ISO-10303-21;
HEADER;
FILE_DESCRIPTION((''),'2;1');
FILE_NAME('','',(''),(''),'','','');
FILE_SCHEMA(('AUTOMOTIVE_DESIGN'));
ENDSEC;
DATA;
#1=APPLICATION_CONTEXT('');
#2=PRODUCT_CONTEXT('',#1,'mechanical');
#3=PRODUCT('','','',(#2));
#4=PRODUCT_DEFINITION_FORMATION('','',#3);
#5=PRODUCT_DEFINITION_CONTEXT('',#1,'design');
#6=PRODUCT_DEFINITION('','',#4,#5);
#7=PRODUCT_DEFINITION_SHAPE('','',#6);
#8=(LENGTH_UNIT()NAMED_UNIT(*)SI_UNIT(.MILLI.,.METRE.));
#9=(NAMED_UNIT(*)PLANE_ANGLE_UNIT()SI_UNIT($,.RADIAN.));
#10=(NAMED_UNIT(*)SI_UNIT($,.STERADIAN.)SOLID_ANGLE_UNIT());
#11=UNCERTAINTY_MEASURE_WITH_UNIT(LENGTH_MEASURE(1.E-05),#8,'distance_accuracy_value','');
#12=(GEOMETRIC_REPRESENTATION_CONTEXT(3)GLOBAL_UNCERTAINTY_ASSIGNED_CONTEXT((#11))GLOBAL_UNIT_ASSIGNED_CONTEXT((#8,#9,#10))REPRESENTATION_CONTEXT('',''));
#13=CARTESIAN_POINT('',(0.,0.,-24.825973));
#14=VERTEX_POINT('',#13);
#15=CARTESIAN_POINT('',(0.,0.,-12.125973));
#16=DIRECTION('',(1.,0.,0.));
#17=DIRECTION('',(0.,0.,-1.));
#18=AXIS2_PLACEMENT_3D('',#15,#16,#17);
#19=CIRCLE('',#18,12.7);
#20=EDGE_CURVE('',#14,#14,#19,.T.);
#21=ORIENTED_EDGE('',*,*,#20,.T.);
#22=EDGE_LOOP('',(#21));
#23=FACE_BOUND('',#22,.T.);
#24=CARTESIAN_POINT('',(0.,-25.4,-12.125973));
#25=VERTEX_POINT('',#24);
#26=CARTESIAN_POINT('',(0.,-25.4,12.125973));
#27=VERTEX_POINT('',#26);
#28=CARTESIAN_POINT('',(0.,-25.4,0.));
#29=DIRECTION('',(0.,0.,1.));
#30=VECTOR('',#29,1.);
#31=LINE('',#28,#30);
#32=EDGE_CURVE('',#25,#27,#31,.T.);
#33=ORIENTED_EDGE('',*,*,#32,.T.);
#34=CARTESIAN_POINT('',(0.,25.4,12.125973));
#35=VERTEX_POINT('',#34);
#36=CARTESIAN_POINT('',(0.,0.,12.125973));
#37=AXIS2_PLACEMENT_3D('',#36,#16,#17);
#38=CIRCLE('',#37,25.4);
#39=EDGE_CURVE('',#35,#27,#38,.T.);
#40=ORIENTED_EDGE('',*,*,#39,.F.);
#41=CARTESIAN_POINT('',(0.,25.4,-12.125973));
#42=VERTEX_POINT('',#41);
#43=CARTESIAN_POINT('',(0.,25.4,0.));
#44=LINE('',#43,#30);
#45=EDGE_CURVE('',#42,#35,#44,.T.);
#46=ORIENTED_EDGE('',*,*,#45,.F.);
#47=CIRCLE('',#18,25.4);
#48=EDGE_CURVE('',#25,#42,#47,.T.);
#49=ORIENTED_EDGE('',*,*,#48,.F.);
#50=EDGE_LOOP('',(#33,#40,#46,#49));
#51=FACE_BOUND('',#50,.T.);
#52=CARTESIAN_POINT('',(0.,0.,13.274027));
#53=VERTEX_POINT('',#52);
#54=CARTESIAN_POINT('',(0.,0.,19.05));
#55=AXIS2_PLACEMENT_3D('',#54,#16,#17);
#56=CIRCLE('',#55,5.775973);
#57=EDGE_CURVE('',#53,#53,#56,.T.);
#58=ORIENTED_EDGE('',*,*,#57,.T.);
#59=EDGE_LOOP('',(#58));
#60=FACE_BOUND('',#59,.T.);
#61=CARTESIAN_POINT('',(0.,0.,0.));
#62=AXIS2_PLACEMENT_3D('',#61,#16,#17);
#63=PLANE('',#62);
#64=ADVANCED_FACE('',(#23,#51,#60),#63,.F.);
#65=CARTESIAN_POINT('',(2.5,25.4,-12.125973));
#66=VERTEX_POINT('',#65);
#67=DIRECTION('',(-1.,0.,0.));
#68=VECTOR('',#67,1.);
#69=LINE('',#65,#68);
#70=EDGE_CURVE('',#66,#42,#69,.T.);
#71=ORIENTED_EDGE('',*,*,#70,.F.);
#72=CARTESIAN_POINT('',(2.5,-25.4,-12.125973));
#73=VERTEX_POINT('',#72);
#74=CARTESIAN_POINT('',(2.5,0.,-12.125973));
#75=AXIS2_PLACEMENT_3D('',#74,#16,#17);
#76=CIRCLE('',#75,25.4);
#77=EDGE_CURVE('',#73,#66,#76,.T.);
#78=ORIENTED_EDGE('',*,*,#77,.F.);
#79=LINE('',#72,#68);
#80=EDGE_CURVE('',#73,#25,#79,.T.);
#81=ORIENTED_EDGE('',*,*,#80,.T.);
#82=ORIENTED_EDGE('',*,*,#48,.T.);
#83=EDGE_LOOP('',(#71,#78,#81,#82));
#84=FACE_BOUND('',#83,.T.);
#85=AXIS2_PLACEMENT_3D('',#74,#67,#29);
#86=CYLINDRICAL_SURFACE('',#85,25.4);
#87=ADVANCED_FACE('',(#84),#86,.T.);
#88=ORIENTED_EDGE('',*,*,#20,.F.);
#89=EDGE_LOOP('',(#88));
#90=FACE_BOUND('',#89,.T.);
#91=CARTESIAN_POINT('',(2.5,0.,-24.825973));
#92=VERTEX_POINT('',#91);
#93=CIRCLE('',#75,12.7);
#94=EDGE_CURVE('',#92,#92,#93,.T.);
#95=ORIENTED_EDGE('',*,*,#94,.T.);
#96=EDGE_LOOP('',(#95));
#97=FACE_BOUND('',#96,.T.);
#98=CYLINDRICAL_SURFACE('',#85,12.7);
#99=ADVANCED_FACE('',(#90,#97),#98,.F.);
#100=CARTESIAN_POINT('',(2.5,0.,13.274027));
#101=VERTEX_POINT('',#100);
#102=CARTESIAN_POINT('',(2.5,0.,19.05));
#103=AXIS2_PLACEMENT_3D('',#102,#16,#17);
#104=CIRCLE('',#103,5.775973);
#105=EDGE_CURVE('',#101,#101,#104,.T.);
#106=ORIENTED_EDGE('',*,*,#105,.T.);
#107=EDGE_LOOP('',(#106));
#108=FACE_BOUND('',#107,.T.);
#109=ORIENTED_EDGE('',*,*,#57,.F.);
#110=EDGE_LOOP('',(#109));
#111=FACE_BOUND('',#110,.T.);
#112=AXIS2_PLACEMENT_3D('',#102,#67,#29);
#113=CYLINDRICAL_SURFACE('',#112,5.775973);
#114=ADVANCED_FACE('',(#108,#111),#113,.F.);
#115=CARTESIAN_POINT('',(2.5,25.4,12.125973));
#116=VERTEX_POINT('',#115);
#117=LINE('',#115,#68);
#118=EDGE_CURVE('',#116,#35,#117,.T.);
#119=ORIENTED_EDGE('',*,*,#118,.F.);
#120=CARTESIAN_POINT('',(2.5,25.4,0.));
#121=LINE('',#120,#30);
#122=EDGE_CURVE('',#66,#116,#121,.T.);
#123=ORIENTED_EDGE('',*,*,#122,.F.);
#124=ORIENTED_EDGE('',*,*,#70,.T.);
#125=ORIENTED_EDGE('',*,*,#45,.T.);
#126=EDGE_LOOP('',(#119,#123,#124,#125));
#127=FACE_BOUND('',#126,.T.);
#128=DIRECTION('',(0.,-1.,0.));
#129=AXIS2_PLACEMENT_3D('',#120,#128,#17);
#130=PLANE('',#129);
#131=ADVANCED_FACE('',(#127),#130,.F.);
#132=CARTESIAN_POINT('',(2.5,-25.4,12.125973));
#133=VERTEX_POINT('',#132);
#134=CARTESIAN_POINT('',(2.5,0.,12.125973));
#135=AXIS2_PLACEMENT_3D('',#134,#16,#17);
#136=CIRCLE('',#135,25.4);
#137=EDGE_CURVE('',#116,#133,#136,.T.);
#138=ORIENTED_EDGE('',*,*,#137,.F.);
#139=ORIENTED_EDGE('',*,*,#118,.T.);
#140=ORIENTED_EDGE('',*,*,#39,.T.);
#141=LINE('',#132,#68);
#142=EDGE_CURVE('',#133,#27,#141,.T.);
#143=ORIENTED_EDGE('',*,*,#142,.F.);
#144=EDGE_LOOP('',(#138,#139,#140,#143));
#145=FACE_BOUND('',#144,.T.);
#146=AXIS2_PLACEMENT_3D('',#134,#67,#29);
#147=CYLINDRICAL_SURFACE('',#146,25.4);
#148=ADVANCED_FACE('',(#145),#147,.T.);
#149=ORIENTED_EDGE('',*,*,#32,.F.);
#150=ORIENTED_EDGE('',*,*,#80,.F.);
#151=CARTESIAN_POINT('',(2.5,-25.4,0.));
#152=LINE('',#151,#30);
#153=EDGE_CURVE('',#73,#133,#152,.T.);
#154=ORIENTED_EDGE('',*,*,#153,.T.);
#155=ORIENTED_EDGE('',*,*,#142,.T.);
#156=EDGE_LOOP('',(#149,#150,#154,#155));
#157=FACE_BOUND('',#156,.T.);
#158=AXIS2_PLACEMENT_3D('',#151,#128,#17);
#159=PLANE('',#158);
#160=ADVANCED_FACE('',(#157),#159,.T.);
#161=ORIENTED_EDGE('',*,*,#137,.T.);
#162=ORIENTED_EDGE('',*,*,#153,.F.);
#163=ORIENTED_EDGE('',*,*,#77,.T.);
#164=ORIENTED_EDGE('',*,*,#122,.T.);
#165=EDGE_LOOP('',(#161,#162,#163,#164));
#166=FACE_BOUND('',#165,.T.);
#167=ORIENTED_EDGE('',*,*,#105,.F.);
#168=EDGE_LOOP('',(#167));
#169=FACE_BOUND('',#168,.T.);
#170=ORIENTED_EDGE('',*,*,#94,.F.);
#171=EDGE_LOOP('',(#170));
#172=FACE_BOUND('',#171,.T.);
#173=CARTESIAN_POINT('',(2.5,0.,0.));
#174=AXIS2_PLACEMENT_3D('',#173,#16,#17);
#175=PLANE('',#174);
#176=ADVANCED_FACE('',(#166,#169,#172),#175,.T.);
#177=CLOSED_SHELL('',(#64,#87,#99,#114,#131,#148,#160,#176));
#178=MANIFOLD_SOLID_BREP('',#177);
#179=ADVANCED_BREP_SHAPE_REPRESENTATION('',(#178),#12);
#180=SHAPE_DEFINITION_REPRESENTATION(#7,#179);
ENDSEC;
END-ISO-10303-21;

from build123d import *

# Parameters (mm, degrees)
SKETCH1_R           = 5.7759727
SKETCH1_R_2         = 12.7
BOSS_EXTRUDE1_DEPTH = 2.5


with BuildPart() as part:
    # Sketch1 → Boss-Extrude1 (new body)
    with BuildSketch(Plane.YZ):
        with BuildLine():
            Line((-25.399999937, -12.125972668), (-25.399999937, 12.125972668))
            ThreePointArc((-25.399999937, 12.125972668), (0, 37.525972605), (25.399999936, 12.125972668))
            Line((25.399999936, 12.125972668), (25.399999937, -12.125972668))
            ThreePointArc((25.399999937, -12.125972668), (0, -37.525972605), (-25.399999937, -12.125972668))
        make_face()
        with Locations(Location((0, 19.049999968, 0), (0, 0, 270))):
            Circle(SKETCH1_R, mode=Mode.SUBTRACT)
        with Locations(Location((0, -12.125972668, 0), (0, 0, 270))):
            Circle(SKETCH1_R_2, mode=Mode.SUBTRACT)
    extrude(amount=BOSS_EXTRUDE1_DEPTH)


solid = part.part
